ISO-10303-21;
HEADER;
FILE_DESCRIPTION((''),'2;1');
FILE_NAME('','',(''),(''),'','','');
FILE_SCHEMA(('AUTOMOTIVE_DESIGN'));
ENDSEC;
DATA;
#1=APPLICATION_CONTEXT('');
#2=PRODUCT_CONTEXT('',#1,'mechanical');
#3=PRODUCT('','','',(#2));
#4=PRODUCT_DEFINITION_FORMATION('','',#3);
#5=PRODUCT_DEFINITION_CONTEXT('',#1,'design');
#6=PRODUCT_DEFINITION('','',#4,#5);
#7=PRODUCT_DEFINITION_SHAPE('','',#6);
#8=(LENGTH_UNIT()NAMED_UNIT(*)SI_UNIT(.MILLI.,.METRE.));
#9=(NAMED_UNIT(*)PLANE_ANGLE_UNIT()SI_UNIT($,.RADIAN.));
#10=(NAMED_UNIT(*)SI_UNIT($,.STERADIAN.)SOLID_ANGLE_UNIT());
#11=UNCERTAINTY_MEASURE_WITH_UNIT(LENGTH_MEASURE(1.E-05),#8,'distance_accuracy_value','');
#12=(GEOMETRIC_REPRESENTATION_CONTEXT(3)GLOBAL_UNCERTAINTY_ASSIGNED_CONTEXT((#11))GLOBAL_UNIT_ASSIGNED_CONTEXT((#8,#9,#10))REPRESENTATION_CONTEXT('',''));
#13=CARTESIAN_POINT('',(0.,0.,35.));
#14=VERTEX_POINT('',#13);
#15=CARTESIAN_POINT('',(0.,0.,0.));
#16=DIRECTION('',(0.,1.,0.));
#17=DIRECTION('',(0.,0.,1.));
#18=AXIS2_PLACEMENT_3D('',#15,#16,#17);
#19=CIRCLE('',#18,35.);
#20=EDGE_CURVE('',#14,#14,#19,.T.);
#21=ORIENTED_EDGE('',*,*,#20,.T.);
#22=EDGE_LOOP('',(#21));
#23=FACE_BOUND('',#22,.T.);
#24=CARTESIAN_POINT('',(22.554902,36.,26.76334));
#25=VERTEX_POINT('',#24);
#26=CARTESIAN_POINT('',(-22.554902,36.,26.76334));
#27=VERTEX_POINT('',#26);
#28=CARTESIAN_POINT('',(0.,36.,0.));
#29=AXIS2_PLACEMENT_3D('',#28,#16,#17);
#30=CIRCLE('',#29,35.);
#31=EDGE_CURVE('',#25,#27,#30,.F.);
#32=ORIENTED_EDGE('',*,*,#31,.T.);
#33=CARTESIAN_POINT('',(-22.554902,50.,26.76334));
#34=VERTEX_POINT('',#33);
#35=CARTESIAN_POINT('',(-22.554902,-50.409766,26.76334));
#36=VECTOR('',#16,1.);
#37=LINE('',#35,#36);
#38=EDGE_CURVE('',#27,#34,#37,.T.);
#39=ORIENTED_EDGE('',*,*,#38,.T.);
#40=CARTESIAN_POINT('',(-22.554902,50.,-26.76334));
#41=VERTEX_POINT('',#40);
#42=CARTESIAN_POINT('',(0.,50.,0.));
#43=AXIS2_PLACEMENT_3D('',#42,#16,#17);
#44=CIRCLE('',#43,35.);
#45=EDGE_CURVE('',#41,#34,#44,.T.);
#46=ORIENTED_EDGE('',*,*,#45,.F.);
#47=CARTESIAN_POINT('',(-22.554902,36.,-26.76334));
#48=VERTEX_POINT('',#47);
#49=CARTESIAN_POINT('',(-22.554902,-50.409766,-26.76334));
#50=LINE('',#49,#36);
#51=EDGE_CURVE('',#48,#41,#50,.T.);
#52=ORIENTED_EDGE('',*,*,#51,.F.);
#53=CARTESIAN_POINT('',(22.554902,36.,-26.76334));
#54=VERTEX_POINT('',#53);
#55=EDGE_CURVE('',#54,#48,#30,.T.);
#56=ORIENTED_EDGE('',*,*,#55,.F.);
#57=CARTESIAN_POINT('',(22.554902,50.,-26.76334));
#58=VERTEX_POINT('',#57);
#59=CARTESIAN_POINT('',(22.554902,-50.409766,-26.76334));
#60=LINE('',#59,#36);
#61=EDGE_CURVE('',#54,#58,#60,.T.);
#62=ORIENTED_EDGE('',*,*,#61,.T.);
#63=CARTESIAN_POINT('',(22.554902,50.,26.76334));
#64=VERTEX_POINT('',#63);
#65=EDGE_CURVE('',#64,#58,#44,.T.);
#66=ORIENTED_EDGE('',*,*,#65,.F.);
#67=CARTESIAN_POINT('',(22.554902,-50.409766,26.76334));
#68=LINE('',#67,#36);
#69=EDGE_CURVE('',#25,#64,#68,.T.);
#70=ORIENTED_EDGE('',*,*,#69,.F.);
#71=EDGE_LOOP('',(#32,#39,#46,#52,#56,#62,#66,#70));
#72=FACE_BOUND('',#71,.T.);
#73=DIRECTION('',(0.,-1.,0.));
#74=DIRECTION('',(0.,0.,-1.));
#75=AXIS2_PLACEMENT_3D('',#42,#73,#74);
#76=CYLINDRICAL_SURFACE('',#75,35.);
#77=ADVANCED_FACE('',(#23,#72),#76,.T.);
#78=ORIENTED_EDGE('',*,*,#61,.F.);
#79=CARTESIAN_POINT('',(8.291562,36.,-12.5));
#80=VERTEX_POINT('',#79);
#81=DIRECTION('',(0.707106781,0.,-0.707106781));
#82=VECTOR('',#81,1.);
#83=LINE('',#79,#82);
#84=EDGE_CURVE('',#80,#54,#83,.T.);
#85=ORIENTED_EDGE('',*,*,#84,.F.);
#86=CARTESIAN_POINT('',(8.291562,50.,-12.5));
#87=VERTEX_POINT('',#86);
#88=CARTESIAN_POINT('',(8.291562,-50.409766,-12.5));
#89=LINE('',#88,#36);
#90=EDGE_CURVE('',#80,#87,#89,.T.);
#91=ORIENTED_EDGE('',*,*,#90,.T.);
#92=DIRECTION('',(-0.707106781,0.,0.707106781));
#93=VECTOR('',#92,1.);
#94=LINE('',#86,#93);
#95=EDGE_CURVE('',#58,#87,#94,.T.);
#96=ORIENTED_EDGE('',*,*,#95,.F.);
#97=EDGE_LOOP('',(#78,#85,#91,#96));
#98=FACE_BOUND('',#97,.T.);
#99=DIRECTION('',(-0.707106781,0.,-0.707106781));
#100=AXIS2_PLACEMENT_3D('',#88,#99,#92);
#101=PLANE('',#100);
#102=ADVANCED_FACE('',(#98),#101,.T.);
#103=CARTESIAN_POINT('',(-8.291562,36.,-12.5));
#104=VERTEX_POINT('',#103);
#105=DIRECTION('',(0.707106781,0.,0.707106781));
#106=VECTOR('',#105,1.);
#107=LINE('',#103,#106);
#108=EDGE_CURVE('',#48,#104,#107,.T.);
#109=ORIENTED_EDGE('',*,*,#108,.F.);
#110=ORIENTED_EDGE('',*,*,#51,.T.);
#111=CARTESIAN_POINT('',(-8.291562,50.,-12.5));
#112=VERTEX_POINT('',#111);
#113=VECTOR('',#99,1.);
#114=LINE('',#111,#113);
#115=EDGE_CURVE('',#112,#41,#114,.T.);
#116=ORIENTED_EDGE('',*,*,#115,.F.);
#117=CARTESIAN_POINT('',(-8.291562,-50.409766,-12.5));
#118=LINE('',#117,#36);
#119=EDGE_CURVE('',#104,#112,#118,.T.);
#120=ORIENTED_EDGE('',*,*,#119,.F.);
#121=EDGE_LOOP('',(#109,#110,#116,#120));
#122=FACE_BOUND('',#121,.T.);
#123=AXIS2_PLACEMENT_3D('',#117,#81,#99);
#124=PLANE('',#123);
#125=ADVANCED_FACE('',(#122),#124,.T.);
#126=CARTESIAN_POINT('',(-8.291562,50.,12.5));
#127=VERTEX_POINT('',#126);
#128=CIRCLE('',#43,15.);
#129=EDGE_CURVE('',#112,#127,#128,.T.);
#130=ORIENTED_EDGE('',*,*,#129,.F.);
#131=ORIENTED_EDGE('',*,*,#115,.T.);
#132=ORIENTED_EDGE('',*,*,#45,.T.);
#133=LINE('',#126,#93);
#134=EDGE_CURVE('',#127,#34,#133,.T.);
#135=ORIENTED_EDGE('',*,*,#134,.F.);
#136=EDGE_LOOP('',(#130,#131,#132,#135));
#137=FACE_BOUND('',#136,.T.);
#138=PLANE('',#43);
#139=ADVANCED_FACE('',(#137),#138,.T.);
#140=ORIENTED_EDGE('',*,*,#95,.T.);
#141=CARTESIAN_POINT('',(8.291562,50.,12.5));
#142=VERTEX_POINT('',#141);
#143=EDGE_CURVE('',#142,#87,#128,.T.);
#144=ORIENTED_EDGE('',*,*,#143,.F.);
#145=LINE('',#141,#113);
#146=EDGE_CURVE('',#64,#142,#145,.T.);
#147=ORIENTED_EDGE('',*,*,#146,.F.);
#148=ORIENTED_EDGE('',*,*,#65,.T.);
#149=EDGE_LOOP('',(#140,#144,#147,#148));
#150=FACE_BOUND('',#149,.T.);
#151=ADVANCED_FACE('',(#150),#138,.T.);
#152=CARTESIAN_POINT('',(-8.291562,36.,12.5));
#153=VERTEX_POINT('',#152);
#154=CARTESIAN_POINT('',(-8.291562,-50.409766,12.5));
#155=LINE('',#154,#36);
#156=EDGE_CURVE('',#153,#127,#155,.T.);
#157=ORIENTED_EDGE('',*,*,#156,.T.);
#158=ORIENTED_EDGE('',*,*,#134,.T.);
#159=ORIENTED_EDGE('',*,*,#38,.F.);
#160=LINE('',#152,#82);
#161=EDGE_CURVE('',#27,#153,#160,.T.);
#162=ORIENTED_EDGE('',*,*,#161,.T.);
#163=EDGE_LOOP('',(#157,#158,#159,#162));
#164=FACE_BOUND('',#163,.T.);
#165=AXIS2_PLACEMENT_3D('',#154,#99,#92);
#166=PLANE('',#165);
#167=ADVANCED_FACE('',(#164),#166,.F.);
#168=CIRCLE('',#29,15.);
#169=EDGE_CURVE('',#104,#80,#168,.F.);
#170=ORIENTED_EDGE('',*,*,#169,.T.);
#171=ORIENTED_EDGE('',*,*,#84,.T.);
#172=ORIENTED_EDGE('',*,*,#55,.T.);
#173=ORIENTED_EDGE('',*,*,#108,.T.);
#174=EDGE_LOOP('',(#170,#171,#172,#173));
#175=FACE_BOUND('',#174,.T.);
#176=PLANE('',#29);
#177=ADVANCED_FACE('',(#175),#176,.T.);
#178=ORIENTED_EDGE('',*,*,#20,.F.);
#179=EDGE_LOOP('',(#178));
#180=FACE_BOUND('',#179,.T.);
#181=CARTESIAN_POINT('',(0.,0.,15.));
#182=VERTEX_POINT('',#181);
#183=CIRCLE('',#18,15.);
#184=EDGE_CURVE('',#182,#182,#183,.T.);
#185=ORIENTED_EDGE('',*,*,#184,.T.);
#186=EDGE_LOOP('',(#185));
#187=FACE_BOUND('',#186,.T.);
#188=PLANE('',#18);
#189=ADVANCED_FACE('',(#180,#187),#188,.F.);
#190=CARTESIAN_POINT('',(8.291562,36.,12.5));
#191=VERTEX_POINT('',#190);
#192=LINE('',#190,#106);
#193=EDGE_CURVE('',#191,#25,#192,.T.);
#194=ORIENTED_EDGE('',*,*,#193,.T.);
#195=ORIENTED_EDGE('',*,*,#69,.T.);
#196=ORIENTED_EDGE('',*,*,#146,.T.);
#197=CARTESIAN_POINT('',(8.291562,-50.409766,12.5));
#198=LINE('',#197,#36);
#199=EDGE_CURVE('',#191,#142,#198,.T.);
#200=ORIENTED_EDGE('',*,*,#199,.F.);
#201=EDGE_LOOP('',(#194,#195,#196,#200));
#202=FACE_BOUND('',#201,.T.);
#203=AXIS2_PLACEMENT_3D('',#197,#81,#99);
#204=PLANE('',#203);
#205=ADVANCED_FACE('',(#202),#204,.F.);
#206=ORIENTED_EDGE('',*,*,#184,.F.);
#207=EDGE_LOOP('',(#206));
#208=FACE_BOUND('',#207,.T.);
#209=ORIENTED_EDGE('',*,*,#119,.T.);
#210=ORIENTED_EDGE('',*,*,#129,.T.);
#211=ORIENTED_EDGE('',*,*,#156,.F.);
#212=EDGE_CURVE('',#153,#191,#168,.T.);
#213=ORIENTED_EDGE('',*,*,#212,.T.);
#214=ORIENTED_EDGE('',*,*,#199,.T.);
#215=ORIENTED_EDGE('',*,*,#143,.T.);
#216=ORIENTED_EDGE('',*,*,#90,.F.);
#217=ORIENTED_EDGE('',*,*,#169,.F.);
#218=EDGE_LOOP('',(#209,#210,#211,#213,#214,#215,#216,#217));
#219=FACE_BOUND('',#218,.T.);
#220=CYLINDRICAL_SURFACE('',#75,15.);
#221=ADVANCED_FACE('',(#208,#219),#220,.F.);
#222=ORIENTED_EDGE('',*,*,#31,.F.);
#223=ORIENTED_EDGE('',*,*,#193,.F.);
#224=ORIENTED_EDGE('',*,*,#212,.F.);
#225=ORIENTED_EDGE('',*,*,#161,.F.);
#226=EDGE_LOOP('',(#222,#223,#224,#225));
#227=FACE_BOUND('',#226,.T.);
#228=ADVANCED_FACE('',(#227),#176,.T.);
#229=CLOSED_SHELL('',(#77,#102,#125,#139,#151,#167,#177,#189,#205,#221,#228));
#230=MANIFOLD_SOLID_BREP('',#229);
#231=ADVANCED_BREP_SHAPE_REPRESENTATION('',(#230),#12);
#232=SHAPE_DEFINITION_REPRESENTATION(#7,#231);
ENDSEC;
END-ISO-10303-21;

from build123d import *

# Parameters (mm, degrees)
SKETCH1_R           = 35
SKETCH1_R_2         = 15
BOSS_EXTRUDE1_DEPTH = 50
CUT_EXTRUDE1_START  = -14
CUT_EXTRUDE1_DEPTH  = 14


with BuildPart() as part:
    # Sketch1 → Boss-Extrude1 (new body)
    with BuildSketch(Plane(origin=(0, 0, 0), x_dir=(1, 0, 0), z_dir=(0, 1, 0))):
        with Locations(Location((0, 0, 0), (0, 0, 270))):
            Circle(SKETCH1_R)
        with Locations(Location((0, 0, 0), (0, 0, 270))):
            Circle(SKETCH1_R_2, mode=Mode.SUBTRACT)
    extrude(amount=BOSS_EXTRUDE1_DEPTH)

    # Sketch2 → Cut-Extrude1 (cut)
    with BuildSketch(Plane(origin=(0, 50, 0), x_dir=(1, 0, 0), z_dir=(0, 1, 0)).offset(CUT_EXTRUDE1_START)):
        with BuildLine():
            Line((8.291561976, -12.5), (22.554902269, -26.763340293))
            ThreePointArc((22.554902269, -26.763340293), (0, -35), (-22.554902269, -26.763340293))
            Line((-22.554902269, -26.763340293), (-8.291561976, -12.5))
            ThreePointArc((-8.291561976, -12.5), (0, -15), (8.291561976, -12.5))
        make_face()
    cut_extrude1 = extrude(amount=CUT_EXTRUDE1_DEPTH, mode=Mode.SUBTRACT)

    # Mirror1: Cut-Extrude1 across plane
    add(cut_extrude1.mirror(Plane.XY), mode=Mode.SUBTRACT)


solid = part.part
